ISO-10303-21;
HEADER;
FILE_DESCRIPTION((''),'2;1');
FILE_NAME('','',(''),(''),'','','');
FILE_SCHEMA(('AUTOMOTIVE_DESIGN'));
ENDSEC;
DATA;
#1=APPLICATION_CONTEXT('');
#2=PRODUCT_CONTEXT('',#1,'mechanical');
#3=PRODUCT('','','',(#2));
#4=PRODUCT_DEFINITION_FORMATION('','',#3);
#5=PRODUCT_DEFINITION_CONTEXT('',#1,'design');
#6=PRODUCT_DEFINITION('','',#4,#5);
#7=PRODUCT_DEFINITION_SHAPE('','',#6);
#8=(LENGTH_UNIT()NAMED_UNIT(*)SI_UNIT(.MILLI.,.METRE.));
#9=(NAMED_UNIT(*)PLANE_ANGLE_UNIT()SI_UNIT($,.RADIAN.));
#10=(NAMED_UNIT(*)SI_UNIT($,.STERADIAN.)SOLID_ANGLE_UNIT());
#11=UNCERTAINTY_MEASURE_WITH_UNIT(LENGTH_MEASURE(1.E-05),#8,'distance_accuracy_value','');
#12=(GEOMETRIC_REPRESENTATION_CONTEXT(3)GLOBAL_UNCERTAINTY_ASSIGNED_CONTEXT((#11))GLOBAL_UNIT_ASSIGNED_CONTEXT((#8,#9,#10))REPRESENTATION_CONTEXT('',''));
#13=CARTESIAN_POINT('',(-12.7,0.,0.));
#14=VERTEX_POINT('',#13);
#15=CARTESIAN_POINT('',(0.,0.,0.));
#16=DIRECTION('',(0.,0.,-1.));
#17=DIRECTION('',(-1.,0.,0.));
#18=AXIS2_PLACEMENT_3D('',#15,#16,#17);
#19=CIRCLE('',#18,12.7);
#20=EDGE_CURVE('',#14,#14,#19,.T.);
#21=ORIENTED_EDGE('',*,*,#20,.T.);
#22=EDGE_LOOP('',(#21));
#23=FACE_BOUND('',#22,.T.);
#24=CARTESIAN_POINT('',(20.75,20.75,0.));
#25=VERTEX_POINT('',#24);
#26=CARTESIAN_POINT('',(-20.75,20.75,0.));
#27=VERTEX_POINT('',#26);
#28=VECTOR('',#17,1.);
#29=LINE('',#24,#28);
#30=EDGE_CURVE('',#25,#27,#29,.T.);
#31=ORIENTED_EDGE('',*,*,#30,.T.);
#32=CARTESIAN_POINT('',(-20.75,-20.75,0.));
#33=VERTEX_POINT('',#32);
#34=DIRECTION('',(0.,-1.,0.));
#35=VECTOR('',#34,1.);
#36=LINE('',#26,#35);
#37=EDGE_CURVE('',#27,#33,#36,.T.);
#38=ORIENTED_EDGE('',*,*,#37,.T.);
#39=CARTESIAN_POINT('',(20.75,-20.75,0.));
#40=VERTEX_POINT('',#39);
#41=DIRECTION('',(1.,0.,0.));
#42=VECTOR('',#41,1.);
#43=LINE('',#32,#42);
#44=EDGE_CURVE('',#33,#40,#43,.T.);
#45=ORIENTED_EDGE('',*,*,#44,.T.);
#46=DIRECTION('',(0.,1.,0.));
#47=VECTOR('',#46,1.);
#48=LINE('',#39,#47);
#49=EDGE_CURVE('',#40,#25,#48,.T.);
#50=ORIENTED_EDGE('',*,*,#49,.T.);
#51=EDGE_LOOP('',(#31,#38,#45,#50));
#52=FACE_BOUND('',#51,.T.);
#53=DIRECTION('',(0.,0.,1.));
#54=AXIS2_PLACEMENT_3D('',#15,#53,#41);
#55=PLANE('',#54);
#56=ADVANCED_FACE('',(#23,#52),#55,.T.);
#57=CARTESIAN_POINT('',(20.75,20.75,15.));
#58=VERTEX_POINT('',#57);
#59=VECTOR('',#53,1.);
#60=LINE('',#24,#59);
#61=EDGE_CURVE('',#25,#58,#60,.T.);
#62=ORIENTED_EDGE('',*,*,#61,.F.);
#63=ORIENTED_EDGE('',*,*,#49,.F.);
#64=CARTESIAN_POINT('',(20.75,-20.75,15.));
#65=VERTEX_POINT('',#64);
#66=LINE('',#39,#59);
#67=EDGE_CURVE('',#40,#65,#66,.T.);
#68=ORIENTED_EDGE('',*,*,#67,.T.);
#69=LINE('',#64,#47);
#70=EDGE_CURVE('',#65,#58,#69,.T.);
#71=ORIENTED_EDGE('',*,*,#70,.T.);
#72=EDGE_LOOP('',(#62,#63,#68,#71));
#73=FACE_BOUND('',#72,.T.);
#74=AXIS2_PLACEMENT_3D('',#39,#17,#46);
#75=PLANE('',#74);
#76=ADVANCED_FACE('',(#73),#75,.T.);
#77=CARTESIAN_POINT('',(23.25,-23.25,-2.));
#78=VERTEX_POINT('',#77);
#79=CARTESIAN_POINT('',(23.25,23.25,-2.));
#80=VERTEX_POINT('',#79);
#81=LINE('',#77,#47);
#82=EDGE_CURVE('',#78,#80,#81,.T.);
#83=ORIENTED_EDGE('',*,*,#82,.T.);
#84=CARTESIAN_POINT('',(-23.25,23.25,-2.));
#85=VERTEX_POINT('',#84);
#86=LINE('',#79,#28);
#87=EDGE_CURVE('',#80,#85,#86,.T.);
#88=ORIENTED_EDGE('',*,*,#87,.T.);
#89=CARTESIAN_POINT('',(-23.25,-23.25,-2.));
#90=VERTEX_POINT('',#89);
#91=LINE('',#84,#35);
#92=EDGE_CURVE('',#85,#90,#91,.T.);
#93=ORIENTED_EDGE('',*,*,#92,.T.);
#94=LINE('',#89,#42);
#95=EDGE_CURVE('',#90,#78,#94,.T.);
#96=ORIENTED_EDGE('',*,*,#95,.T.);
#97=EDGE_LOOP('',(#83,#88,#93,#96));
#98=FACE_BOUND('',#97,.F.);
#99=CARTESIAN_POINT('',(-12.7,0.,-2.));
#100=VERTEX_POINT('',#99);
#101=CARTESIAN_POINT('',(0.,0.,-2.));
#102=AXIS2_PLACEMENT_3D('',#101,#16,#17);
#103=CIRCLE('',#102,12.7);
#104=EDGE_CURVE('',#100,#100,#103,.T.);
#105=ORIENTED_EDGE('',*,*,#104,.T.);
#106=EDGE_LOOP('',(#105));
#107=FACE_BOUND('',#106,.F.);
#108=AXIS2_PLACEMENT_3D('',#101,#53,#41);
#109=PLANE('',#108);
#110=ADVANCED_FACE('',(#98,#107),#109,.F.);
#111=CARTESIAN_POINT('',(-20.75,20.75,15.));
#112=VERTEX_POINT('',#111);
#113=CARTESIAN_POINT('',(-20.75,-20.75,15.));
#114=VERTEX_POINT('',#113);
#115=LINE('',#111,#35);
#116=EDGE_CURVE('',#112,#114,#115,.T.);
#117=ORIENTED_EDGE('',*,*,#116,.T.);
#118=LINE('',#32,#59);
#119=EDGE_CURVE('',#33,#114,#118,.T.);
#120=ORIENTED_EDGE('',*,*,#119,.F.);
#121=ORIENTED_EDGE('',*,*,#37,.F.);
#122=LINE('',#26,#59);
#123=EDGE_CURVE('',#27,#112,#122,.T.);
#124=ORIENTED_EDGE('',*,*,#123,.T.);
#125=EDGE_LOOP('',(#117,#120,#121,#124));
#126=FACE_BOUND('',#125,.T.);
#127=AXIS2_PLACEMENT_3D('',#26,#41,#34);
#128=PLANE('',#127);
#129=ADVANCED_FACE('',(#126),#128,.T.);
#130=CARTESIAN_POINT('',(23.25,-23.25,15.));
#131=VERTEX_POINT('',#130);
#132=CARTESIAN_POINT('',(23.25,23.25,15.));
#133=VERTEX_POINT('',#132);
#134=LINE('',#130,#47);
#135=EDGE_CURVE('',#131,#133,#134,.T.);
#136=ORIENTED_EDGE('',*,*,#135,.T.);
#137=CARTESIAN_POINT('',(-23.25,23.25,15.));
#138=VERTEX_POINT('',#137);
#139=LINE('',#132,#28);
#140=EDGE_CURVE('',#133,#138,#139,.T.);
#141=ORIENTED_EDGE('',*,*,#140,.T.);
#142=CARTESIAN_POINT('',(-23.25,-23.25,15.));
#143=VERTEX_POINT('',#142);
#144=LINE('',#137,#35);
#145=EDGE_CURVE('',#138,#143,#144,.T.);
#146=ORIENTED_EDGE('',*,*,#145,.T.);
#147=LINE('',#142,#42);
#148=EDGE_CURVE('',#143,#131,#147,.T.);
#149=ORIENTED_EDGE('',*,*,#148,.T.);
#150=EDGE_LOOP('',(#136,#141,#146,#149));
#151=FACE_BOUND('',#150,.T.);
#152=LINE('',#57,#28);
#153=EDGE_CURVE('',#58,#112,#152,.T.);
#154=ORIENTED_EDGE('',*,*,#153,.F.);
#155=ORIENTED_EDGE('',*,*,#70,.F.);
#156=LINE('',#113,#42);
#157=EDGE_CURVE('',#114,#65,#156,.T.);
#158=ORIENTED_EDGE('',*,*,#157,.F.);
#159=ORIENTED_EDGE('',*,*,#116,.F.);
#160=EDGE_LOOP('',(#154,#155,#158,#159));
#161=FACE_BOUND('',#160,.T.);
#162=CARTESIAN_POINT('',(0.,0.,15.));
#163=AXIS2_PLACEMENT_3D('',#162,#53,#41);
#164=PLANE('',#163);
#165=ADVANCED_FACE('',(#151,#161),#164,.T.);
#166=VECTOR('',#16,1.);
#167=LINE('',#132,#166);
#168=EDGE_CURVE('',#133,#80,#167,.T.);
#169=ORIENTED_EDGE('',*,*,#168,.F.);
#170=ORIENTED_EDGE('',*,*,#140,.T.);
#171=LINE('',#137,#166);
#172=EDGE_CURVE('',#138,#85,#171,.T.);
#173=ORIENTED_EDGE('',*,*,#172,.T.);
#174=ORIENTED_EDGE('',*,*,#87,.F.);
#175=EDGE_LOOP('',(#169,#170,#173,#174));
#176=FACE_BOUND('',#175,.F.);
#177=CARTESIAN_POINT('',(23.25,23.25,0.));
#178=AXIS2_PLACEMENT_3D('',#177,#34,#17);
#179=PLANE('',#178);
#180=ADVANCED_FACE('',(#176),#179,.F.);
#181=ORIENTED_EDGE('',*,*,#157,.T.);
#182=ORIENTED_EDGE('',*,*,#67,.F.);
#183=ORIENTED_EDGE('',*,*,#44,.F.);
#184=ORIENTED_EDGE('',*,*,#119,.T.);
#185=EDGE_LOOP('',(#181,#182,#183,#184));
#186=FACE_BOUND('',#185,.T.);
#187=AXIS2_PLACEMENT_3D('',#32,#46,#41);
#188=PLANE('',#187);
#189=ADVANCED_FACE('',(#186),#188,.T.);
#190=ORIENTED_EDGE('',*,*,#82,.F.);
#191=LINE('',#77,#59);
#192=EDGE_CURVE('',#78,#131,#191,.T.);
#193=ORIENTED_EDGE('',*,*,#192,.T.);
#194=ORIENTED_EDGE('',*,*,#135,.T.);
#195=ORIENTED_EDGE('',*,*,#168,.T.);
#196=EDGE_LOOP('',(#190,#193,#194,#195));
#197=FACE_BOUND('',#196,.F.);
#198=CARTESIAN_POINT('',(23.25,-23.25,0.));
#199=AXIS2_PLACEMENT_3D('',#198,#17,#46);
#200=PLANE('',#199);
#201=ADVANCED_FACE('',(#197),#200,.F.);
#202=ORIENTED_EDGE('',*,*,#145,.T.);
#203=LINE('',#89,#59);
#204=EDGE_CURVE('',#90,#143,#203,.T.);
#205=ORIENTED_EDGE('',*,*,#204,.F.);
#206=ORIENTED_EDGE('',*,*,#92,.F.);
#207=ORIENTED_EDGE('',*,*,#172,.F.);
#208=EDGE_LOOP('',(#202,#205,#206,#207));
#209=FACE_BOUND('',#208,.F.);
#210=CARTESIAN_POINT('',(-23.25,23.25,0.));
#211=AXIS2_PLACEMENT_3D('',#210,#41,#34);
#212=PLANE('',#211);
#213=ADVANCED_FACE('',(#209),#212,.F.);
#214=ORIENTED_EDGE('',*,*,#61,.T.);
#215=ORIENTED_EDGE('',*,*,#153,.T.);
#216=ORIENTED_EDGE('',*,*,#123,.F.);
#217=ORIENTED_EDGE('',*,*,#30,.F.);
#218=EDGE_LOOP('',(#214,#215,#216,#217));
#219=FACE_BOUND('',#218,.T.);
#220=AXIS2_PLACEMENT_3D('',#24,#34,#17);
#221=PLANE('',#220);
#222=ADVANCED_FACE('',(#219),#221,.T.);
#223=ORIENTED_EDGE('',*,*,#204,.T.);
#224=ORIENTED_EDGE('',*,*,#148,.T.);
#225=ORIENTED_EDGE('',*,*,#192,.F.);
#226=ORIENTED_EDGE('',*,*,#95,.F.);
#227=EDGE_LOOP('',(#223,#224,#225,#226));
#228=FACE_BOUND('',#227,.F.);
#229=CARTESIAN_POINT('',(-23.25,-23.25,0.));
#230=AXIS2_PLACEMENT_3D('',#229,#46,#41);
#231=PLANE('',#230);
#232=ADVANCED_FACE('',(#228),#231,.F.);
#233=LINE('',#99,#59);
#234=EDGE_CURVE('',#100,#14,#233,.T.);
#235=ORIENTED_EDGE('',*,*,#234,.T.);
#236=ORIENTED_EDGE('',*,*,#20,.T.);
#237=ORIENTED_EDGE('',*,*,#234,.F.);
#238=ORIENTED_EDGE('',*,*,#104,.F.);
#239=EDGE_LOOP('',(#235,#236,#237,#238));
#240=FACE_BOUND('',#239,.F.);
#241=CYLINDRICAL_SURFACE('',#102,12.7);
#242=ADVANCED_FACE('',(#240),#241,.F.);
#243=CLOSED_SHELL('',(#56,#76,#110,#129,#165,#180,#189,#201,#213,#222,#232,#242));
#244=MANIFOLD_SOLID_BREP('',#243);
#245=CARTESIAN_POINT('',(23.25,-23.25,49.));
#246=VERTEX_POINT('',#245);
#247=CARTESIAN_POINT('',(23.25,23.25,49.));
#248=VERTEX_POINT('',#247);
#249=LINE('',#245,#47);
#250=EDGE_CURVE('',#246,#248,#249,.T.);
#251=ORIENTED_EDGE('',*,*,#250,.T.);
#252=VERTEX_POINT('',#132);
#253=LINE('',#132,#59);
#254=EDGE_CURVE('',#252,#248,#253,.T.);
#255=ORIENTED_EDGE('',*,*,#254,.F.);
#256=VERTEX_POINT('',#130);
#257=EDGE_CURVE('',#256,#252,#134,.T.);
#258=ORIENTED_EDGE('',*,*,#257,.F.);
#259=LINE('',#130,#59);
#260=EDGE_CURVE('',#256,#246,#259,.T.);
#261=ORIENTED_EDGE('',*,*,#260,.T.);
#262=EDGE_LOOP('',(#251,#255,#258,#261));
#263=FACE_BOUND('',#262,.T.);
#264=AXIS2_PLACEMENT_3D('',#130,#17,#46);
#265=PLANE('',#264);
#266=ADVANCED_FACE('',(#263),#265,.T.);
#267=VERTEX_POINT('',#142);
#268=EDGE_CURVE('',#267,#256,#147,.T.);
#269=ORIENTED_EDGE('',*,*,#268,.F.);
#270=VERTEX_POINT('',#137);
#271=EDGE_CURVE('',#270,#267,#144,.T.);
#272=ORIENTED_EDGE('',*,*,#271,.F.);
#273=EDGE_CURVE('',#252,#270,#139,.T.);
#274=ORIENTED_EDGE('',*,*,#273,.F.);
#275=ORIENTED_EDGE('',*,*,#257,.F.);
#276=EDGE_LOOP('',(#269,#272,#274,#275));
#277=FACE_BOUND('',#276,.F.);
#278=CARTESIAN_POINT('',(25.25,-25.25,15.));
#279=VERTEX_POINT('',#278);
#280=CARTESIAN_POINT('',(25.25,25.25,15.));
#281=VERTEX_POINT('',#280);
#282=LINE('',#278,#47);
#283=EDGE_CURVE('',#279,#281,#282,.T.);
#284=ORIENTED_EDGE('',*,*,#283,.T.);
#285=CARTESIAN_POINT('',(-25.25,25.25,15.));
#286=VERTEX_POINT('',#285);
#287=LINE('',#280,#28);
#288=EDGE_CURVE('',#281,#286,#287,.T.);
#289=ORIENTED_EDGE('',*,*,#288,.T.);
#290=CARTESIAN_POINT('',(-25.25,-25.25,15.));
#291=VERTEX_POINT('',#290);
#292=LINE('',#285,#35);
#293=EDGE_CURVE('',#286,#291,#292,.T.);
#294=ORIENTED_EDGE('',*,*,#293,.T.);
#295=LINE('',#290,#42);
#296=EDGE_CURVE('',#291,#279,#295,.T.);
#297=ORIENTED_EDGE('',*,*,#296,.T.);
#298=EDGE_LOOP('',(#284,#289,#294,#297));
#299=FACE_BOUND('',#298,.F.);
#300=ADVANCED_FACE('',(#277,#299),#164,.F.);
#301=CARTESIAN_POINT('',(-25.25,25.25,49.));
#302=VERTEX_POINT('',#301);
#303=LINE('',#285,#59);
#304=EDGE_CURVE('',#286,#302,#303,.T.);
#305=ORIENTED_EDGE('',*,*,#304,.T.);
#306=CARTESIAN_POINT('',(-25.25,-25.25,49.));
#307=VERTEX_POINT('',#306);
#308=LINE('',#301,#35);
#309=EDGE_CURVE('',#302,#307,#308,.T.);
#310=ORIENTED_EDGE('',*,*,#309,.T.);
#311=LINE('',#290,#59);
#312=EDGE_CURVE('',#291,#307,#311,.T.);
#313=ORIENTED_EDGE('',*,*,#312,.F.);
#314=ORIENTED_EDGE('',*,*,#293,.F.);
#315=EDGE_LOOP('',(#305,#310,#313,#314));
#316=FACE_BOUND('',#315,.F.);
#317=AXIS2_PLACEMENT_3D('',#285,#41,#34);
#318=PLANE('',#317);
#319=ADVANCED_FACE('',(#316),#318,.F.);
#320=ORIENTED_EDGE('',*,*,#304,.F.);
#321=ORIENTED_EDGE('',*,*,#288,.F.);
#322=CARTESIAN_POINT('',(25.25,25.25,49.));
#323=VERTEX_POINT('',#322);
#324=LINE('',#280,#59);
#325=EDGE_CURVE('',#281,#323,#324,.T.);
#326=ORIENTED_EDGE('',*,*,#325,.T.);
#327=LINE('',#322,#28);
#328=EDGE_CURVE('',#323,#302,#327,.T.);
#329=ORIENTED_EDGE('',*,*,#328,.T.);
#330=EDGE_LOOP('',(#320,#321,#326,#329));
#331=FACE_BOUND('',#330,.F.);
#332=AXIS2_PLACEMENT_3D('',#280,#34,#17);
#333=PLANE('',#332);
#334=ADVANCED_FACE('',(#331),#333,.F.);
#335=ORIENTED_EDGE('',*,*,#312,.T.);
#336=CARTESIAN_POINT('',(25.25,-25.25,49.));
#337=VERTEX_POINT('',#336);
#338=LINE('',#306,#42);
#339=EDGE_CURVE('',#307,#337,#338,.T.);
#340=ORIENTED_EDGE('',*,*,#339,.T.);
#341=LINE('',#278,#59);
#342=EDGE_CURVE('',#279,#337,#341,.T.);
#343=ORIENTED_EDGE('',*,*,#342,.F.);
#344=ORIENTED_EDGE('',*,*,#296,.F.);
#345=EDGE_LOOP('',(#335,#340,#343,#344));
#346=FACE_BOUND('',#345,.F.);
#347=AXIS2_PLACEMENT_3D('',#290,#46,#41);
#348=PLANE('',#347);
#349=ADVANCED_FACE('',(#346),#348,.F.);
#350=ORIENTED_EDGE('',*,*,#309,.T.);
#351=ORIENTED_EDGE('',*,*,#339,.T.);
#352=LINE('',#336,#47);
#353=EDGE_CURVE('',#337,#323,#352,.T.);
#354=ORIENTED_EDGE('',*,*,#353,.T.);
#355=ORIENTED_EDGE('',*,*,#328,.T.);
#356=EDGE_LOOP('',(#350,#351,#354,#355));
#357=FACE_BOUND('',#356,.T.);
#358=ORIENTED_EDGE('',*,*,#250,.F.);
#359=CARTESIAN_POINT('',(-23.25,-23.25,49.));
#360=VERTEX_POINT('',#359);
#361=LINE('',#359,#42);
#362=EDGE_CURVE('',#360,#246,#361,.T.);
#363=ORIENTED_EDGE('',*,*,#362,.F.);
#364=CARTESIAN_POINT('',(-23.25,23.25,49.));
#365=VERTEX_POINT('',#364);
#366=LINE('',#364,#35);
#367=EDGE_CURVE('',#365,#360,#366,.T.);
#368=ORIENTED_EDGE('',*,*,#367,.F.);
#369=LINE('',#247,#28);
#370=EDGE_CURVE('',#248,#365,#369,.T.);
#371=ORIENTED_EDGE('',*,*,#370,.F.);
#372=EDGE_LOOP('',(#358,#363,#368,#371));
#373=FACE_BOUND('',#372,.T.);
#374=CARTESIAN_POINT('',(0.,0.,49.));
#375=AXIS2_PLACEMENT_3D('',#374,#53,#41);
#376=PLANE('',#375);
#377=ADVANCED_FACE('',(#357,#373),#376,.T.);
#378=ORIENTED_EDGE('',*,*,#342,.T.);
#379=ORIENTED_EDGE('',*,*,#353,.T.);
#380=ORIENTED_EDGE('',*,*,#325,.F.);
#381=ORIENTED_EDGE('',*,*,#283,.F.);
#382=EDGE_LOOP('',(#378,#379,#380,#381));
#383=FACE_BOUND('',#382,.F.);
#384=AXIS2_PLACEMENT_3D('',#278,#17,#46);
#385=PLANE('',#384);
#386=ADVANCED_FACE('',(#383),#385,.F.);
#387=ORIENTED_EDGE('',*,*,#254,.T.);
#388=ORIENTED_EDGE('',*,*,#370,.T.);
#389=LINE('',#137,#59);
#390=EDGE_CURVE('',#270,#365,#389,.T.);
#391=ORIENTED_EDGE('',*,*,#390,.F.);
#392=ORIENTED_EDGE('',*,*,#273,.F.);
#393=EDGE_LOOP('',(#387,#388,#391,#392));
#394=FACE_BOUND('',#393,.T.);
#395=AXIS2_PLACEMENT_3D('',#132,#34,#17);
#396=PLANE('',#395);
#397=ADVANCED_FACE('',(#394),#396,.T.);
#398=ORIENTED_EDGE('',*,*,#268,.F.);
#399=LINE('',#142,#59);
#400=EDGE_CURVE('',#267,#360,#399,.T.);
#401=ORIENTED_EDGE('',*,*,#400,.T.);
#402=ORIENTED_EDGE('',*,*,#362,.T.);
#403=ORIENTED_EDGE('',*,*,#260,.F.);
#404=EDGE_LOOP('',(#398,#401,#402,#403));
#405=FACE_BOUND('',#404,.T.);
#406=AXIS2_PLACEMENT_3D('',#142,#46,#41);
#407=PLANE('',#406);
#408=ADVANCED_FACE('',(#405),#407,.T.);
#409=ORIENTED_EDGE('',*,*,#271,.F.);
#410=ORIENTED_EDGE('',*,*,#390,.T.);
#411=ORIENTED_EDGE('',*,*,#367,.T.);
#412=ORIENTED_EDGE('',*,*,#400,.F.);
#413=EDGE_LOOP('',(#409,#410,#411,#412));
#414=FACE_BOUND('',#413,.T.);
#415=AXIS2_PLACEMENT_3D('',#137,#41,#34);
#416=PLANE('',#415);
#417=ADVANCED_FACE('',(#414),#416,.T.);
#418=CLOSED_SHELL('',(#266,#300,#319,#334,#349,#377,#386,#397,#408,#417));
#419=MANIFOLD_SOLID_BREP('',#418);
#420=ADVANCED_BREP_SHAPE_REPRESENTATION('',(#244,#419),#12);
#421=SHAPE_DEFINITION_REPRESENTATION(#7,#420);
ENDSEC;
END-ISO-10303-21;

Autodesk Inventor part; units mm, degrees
ref_plane "YZ Plane" through (0, 0, 0) normal (1, 0, 0) x (0, 1, 0)
ref_plane "XZ Plane" through (0, 0, 0) normal (0, 1, 0) x (-1, 0, 0)
ref_plane "XY Plane" through (0, 0, 0) normal (0, 0, 1) x (1, 0, 0)
sketch "Sketch18" plane through (0, 0, 0) normal (0, 0, 1) x (1, 0, 0)
  line L0 (-23.25, -23.25) -> (23.25, -23.25)
  line L1 (23.25, -23.25) -> (23.25, 23.25)
  line L2 (23.25, 23.25) -> (-23.25, 23.25)
  line L3 (-23.25, 23.25) -> (-23.25, -23.25)
  line L4 (-23.25, -23.25) -> (23.25, 23.25) construction
  line L5 (23.25, -23.25) -> (-23.25, 23.25) construction
  line L6 (-20.75, -20.75) -> (20.75, -20.75)
  line L7 (20.75, -20.75) -> (20.75, 20.75)
  line L8 (20.75, 20.75) -> (-20.75, 20.75)
  line L9 (-20.75, 20.75) -> (-20.75, -20.75)
  line L10 (-20.75, -20.75) -> (20.75, 20.75) construction
  line L11 (20.75, -20.75) -> (-20.75, 20.75) construction
  circle A0 centre (0, 0) radius 2.6
  dimension "d102" = 46.5
  dimension "d103" = 46.5
  dimension "d104" = 2.5
  dimension "d105" = 2.5
  dimension "d106" = 5.2
extrude "Extrusion14" add sketch "Sketch18" against normal blind 2 contours L3 L2 L1 L0 | L9 L8 L7 L6 | A0
extrude "Extrusion15" add sketch "Sketch18" along normal blind 15 contours L3 L2 L1 L0
sketch "Sketch19" plane through (0, 0, 15) normal (0, 0, 1) x (1, 0, 0)
  line L0 (-20.75, -20.75) -> (20.75, -20.75)
  line L1 (20.75, -20.75) -> (20.75, 20.75)
  line L2 (20.75, 20.75) -> (-20.75, 20.75)
  line L3 (-20.75, 20.75) -> (-20.75, -20.75)
  line L4 (-20.75, -20.75) -> (20.75, 20.75) construction
  line L5 (20.75, -20.75) -> (-20.75, 20.75) construction
  line L6 (-25.25, -25.25) -> (25.25, -25.25)
  line L7 (25.25, -25.25) -> (25.25, 25.25)
  line L8 (25.25, 25.25) -> (-25.25, 25.25)
  line L9 (-25.25, 25.25) -> (-25.25, -25.25)
  line L10 (-25.25, -25.25) -> (25.25, 25.25) construction
  line L11 (25.25, -25.25) -> (-25.25, 25.25) construction
  line L12 (23.25, -23.25) -> (23.25, 23.25) projected
  line L13 (23.25, 23.25) -> (-23.25, 23.25) projected
  line L14 (-23.25, 23.25) -> (-23.25, -23.25) projected
  line L15 (-23.25, -23.25) -> (23.25, -23.25) projected
  point P0 (0, 0)
  dimension "d111" = 2
  dimension "d112" = 2
extrude "Extrusion16" add sketch "Sketch19" along normal blind 34 contours L9 L8 L7 L6
sketch "Sketch21" plane through (0, 0, -2) normal (0, 0, -1) x (-1, 0, 0)
  circle A0 centre (0, 0) radius 12.7
  dimension "d119" = 25.4
extrude "Extrusion17" cut sketch "Sketch21" against normal through all
equation "\"screwSpacing\" = 34"
equation "\"interiorWidth\" = 42"
equation "\"wallThickness\" = 2"
equation "\"holeDiameter\" = 3"
properties part number "IMX178 Camera Case Cap" material "PET Plastic"
